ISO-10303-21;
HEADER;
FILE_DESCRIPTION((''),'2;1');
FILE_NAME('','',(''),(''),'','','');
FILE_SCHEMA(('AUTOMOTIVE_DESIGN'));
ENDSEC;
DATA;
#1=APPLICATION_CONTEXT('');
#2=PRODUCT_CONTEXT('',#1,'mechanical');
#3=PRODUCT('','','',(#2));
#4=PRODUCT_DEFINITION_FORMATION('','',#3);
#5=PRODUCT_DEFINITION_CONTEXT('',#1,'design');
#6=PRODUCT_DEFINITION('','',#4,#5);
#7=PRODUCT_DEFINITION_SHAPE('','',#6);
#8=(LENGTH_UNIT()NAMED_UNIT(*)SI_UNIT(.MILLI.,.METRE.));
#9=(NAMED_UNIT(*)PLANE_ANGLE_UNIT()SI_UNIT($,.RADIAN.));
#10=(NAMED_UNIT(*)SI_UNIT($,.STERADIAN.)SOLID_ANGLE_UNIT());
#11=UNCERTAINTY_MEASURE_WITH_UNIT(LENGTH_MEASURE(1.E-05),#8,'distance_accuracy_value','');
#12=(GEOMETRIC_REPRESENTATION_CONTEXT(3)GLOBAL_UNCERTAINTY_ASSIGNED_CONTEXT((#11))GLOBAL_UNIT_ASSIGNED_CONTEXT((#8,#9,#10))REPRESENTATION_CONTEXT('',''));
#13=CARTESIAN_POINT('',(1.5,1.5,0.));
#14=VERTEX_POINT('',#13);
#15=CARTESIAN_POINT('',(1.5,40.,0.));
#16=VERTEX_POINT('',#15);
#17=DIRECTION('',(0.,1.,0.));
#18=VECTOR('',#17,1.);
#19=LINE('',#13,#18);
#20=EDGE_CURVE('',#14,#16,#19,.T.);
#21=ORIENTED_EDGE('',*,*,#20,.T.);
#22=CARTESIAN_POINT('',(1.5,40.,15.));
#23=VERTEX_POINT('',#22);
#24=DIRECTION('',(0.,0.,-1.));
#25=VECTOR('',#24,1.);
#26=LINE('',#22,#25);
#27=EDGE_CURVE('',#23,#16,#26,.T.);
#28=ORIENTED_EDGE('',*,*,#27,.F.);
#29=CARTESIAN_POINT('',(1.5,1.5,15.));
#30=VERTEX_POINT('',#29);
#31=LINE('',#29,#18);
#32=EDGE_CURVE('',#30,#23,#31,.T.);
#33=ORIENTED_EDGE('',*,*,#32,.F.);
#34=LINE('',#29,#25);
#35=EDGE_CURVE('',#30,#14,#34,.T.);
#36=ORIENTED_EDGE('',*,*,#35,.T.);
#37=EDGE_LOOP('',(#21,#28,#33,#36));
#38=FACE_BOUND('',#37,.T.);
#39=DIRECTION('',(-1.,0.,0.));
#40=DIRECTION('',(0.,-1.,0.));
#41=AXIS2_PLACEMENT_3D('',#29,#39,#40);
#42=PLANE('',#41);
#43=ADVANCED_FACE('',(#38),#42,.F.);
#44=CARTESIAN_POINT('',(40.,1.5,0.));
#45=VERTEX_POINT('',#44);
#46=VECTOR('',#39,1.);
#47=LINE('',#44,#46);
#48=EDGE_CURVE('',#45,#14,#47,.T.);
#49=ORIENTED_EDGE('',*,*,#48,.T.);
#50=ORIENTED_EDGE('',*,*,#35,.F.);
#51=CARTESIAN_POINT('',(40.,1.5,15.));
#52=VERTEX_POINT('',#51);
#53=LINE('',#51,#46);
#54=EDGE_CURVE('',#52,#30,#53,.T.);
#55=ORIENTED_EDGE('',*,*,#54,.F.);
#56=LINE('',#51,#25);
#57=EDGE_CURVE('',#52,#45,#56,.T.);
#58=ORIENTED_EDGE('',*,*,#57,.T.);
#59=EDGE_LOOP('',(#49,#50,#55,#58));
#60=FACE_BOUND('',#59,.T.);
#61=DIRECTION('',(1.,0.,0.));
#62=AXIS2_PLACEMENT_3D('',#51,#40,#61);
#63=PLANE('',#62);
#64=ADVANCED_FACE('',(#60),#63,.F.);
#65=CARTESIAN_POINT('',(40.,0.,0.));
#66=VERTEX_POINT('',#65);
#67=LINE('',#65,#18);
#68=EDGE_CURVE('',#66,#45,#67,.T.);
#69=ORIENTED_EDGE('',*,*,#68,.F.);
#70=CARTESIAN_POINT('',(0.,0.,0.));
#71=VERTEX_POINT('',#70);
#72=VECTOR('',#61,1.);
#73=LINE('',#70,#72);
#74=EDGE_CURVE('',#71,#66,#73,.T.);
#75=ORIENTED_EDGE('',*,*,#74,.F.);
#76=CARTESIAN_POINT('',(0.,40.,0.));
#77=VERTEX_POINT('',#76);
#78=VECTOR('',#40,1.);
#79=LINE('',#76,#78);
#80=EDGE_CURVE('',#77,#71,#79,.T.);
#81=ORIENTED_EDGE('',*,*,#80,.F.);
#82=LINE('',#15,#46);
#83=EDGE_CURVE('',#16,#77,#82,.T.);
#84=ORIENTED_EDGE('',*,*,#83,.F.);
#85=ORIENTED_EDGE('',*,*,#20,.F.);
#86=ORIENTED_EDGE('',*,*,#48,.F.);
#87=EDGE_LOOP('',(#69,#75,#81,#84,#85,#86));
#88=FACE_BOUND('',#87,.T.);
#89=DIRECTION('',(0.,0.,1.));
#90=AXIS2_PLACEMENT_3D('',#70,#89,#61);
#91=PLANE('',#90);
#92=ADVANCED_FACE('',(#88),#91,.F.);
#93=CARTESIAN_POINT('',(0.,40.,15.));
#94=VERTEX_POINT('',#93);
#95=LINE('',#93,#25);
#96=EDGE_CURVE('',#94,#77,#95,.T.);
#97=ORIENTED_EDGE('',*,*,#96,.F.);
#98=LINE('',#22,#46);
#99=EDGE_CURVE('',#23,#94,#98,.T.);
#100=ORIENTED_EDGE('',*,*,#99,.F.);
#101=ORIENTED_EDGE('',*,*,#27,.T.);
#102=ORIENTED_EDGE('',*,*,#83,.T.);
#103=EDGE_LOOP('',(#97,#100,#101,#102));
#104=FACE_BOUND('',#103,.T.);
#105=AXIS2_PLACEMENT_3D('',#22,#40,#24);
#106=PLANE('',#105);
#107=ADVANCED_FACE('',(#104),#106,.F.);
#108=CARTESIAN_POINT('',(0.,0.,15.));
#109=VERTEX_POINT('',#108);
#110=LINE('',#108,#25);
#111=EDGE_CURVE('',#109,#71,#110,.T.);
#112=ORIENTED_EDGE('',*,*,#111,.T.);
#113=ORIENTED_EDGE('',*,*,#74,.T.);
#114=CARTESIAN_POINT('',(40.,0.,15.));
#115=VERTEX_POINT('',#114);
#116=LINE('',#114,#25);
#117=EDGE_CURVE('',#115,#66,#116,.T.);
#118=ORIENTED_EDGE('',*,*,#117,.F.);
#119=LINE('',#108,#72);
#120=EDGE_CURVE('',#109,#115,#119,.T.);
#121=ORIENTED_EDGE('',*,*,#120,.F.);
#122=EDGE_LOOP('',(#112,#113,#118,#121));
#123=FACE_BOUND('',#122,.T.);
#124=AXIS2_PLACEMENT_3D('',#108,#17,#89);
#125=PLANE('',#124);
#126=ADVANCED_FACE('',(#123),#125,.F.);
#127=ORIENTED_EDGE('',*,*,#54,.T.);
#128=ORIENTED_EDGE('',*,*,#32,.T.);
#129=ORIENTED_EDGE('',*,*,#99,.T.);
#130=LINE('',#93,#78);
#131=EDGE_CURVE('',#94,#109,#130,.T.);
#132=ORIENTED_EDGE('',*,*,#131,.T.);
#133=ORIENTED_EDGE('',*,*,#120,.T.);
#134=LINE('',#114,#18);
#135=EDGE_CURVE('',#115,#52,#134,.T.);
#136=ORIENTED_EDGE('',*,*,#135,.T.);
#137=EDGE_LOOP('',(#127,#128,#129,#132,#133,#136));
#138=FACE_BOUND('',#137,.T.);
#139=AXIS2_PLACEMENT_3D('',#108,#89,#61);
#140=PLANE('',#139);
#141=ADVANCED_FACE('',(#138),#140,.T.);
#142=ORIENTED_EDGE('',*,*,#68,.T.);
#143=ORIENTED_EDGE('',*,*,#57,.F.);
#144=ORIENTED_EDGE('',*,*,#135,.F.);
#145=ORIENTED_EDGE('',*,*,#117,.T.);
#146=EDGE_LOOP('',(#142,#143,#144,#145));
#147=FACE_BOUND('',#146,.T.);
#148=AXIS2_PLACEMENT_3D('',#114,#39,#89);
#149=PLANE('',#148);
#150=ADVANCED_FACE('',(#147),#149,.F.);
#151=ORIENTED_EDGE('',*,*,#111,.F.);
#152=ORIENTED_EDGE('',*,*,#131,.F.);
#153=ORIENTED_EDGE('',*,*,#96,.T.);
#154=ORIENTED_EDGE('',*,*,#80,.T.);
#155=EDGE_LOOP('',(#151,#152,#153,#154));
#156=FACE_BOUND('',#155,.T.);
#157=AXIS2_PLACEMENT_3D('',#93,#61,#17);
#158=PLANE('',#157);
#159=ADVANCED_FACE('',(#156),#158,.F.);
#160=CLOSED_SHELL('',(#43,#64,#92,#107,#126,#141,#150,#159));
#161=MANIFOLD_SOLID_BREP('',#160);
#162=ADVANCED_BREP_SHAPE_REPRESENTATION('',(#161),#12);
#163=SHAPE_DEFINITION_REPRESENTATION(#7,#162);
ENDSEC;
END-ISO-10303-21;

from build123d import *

# Parameters (mm, degrees)
EXTRUDE_1_DEPTH = 15


with BuildPart() as part:
    # Эскиз1 → Бобышка-Вытянуть1 (new body)
    with BuildSketch(Plane.XY):
        Polygon((0, 0), (40, 0), (40, 1.5), (1.5, 1.5), (1.5, 40), (0, 40), align=None)
    extrude(amount=EXTRUDE_1_DEPTH)


solid = part.part
